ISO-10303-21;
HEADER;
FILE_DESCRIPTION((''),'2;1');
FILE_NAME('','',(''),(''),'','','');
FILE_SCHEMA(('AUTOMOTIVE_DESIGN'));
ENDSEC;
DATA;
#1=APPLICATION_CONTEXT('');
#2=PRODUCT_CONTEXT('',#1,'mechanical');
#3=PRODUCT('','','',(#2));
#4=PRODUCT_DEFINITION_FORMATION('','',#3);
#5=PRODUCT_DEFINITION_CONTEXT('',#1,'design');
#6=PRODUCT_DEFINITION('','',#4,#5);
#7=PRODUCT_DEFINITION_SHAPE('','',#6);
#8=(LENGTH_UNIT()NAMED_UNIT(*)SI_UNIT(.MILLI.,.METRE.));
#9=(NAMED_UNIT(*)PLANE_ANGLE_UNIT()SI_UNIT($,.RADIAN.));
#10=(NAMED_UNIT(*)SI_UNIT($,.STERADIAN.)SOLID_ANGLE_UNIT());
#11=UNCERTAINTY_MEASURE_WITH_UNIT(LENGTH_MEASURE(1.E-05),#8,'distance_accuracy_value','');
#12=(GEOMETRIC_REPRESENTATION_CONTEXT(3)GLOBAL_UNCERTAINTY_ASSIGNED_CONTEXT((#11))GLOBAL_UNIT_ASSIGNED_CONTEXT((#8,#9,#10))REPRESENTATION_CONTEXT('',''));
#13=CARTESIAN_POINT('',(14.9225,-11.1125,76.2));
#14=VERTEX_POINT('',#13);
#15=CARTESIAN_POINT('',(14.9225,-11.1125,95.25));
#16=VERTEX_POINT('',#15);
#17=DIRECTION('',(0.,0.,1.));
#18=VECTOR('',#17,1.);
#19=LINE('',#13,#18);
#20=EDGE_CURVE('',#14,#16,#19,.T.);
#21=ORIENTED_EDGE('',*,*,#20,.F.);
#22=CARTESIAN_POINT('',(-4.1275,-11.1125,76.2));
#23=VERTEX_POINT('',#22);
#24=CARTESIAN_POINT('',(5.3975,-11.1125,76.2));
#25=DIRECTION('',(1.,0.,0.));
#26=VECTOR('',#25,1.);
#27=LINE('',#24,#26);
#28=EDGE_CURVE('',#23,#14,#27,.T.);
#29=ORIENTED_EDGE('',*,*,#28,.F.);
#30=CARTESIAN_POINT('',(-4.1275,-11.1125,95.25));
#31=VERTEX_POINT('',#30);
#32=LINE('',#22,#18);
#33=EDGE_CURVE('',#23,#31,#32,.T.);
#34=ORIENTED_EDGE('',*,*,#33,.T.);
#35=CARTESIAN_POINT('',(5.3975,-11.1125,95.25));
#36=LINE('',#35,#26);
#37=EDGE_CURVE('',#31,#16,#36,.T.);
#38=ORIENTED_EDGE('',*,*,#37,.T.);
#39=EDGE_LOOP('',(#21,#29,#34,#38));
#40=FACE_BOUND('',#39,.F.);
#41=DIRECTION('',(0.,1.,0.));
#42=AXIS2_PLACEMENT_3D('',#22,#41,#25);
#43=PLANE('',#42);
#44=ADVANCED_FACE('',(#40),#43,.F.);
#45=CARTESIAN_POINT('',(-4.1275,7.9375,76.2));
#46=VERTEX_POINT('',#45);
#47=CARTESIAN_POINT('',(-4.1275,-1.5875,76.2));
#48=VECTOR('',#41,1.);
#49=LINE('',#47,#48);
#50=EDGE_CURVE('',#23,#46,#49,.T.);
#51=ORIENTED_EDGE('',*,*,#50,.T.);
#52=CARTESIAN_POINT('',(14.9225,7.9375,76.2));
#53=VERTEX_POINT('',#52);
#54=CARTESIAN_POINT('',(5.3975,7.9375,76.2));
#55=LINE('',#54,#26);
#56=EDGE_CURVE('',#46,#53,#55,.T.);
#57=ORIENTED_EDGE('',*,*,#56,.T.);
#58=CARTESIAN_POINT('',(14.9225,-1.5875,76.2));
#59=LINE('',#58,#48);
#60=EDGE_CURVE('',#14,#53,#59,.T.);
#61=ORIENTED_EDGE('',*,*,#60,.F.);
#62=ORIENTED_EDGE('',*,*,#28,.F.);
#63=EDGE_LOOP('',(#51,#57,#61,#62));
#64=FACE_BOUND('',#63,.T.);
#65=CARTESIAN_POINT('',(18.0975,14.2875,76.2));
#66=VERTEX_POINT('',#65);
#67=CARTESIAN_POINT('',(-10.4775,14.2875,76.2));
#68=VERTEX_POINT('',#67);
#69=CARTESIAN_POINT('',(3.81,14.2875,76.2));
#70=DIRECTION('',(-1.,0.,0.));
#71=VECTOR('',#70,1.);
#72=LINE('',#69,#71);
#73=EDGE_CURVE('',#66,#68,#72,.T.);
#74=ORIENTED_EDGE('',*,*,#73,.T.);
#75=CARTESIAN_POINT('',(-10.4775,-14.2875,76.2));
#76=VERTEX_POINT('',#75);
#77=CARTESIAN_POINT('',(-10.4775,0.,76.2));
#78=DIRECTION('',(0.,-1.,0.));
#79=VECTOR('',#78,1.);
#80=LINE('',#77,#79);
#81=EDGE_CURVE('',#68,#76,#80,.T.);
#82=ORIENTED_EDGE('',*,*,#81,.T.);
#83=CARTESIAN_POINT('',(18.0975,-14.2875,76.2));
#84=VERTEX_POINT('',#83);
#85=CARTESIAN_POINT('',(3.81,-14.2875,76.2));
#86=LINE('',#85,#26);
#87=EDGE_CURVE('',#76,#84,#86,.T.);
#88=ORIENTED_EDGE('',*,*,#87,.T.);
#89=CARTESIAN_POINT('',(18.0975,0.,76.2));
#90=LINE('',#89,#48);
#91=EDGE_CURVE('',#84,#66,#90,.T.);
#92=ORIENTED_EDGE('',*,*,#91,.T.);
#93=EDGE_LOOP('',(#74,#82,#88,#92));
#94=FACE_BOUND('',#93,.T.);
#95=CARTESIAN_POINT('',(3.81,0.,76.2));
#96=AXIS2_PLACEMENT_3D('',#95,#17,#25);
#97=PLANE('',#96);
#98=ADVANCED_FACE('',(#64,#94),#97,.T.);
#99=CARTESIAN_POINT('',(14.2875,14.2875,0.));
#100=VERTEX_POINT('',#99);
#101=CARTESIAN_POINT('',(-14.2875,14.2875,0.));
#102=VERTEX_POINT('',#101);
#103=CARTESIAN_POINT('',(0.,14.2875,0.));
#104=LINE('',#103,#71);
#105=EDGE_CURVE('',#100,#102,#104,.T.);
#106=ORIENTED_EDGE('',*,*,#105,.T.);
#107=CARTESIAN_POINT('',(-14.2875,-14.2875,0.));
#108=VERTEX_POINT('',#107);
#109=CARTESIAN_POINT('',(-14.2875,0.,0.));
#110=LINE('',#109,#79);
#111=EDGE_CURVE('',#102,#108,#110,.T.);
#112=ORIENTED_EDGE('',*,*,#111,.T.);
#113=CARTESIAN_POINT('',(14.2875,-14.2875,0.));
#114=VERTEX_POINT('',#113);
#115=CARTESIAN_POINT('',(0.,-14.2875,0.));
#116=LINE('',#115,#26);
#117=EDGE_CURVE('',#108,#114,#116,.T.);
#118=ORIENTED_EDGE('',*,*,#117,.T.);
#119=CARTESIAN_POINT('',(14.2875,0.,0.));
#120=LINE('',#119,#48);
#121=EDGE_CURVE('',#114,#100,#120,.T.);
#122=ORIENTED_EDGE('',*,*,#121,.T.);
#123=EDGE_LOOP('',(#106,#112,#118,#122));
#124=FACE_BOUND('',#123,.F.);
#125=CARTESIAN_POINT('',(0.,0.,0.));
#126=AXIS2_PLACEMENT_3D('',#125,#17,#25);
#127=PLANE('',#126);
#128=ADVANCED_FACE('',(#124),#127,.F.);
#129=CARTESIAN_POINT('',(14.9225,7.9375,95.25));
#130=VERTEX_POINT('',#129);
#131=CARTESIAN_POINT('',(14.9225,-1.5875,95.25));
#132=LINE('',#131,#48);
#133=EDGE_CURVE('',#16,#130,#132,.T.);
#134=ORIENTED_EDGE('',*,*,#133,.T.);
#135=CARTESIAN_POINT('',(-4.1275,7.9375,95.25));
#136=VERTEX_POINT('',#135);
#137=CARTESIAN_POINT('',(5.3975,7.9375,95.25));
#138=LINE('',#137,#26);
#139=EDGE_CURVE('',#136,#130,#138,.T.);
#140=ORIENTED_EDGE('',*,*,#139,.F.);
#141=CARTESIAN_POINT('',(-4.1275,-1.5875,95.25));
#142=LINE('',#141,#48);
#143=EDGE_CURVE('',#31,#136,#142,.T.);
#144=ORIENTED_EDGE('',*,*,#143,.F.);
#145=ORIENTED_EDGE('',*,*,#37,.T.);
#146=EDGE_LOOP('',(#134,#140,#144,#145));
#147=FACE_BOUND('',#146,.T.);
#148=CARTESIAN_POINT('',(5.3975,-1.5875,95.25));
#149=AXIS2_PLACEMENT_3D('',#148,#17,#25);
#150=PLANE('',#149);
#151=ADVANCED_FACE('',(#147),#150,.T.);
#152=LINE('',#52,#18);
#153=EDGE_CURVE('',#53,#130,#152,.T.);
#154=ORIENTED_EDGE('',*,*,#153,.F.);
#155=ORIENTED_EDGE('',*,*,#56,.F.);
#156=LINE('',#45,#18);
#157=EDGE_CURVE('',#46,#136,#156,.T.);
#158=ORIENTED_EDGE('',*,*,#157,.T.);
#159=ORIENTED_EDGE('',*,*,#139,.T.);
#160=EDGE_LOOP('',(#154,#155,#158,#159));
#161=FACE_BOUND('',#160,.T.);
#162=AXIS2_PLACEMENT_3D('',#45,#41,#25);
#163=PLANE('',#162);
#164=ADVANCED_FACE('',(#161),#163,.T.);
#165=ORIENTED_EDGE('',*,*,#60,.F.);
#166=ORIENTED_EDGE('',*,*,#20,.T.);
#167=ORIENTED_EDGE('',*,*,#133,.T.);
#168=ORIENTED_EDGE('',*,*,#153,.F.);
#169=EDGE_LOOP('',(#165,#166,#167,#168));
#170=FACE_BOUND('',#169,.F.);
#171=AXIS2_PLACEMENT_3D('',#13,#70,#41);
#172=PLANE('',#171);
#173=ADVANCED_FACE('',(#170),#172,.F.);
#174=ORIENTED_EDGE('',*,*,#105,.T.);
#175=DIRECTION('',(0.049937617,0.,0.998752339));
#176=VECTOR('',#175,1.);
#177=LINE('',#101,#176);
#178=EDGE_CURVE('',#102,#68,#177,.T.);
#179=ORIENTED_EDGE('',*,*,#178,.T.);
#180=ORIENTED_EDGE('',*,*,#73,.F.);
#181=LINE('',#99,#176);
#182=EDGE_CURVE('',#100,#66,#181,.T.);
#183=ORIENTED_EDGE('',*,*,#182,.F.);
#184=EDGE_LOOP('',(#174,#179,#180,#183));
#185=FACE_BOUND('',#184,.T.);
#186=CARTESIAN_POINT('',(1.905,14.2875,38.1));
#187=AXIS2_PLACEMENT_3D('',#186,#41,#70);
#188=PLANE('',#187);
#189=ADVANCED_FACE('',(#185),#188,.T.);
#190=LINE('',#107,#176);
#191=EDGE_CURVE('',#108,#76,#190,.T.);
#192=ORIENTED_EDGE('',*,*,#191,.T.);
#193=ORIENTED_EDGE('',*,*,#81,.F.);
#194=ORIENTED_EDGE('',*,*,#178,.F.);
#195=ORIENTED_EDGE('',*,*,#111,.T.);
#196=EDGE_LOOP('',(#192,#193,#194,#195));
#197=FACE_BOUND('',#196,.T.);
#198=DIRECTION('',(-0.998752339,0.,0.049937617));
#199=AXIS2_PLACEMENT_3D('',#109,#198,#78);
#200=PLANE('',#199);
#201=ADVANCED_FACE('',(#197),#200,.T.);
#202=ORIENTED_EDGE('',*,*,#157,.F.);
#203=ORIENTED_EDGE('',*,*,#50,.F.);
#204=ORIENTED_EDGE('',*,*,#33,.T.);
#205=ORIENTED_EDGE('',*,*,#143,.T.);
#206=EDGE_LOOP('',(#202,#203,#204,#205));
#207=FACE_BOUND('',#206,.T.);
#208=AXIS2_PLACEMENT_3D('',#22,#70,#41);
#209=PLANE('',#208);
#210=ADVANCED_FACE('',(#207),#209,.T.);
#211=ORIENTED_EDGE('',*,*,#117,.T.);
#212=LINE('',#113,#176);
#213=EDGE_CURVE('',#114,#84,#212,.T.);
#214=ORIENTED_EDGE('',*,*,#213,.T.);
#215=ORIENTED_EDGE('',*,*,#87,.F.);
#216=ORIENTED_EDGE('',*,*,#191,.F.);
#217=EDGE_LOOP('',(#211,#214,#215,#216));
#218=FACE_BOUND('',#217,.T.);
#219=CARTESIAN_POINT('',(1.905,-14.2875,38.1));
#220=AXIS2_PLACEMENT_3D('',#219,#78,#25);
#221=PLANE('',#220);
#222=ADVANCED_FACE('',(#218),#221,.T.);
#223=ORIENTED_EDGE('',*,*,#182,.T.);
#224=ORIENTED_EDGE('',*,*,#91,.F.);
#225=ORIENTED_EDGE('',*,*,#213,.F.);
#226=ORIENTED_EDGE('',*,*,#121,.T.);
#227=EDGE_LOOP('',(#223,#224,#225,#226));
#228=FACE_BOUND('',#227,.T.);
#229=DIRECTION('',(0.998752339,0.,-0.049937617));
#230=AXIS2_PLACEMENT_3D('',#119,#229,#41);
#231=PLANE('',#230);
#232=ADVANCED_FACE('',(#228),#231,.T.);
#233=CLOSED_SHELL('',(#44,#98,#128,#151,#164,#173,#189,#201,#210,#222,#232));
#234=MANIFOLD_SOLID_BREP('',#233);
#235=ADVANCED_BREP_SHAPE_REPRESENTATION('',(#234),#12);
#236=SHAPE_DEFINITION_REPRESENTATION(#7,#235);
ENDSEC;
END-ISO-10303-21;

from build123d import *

# Parameters (mm, degrees)
F0_W     = 28.575
F0_H     = 28.575
F3_W     = 19.05
F3_H     = 19.05
F4_DEPTH = 19.05


with BuildPart() as f2:
    # F2: sweep along a path in F1
    with BuildLine(Plane.XZ) as f2_path:
        Line((0, 0), (3.81, 76.2))
    # F0 (on Top) → F2 (sweep)
    with BuildSketch(Plane.XY):
        Rectangle(F0_W, F0_H)
    sweep(path=f2_path.line)

    # F3 (on face) → F4 (join)
    with BuildSketch(Plane.XY.offset(76.2)):
        with Locations((5.3975, -1.5875)):
            Rectangle(F3_W, F3_H)
    extrude(amount=F4_DEPTH)


solid = f2.part
